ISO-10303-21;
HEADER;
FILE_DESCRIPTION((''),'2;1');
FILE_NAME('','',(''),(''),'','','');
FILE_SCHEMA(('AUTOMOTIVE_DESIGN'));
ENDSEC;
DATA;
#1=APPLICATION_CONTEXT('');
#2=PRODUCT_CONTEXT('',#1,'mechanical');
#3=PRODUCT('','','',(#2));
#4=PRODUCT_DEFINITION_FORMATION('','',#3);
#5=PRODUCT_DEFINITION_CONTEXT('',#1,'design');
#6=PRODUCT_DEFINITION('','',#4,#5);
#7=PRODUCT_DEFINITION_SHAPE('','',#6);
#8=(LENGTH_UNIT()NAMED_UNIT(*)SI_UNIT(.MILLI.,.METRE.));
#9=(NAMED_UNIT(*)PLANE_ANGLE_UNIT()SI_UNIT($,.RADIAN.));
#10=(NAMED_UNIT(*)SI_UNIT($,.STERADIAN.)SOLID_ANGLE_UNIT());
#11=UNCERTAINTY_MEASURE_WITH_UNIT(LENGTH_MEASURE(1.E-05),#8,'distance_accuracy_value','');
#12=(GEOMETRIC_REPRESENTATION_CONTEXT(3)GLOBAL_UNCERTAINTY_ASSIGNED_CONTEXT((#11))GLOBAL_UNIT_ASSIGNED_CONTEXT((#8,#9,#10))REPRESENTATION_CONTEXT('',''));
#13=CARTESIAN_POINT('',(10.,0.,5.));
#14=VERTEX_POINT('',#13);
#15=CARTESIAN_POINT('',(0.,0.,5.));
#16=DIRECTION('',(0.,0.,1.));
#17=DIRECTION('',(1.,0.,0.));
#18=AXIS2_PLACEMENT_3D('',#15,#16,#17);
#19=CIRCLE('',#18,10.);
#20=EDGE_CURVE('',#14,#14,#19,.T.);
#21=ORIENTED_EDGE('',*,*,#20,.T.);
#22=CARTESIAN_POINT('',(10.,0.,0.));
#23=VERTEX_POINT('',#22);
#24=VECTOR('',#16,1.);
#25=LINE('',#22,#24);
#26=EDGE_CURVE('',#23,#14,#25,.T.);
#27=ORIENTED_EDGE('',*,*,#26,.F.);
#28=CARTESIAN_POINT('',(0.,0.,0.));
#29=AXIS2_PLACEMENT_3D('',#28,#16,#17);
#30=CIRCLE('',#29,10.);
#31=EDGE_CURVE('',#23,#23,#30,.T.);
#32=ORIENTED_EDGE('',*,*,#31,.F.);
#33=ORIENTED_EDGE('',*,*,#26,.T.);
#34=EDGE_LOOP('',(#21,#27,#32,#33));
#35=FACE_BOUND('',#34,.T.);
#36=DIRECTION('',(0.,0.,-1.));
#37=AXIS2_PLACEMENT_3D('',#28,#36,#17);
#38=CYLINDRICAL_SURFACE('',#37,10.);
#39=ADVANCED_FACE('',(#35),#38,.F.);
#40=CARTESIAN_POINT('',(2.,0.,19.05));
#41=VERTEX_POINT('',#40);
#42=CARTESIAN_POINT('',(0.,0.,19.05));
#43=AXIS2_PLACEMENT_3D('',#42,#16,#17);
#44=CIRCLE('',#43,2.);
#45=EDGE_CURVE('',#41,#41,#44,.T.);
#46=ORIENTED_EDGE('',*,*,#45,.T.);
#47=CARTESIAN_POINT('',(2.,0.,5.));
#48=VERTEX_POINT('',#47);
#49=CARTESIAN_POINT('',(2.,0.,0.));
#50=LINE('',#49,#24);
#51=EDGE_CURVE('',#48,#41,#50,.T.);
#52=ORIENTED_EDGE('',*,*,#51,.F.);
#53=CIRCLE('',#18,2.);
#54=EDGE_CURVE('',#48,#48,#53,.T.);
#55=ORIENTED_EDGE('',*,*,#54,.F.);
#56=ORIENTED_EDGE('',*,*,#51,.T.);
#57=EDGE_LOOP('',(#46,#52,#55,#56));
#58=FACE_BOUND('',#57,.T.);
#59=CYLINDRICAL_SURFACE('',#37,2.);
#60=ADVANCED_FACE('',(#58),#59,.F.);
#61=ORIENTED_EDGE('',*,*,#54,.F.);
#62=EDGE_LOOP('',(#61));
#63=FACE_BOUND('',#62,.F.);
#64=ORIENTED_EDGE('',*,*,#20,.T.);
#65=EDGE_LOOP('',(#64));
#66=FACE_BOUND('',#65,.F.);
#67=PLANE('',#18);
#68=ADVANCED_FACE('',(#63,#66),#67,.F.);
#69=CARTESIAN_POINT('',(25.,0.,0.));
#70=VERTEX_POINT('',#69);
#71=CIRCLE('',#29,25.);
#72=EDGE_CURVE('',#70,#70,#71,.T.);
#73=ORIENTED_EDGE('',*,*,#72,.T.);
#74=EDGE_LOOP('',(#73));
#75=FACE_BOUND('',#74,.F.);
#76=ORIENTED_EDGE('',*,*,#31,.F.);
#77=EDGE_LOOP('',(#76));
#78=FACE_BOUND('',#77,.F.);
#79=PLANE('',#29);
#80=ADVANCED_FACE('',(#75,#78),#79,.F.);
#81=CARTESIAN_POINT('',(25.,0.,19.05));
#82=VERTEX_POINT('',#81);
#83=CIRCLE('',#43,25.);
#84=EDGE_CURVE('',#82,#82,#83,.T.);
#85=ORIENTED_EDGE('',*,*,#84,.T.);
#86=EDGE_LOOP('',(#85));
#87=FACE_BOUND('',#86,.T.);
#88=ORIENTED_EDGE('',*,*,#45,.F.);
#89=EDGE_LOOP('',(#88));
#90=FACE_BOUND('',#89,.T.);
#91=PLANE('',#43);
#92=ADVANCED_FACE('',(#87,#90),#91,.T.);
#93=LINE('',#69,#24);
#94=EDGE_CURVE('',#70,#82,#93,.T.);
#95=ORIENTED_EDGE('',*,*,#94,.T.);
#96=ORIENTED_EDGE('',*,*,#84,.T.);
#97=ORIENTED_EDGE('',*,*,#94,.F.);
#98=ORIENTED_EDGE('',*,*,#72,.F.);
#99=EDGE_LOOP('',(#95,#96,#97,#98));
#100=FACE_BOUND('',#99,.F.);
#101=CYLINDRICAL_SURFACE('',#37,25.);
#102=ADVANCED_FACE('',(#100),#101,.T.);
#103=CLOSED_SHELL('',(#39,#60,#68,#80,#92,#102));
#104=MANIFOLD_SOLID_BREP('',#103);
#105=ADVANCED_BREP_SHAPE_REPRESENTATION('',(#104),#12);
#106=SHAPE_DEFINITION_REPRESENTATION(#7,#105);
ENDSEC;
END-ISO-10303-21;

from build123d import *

# Parameters (mm, degrees)
F0_R     = 25
F0_R_2   = 10
F0_R_3   = 2
F1_DEPTH = 19.05
F2_DEPTH = 5


with BuildPart() as f1:
    # F0 (on Top) → F1 (new body)
    with BuildSketch(Plane.XY):
        Circle(F0_R)
        Circle(F0_R_2, mode=Mode.SUBTRACT)
        Circle(F0_R_2)
        Circle(F0_R_3, mode=Mode.SUBTRACT)
    extrude(amount=F1_DEPTH)

    # F0 (on Top) → F2 (cut)
    with BuildSketch(Plane.XY):
        Circle(F0_R_2)
        Circle(F0_R_3, mode=Mode.SUBTRACT)
    extrude(amount=F2_DEPTH, mode=Mode.SUBTRACT)


solid = f1.part
